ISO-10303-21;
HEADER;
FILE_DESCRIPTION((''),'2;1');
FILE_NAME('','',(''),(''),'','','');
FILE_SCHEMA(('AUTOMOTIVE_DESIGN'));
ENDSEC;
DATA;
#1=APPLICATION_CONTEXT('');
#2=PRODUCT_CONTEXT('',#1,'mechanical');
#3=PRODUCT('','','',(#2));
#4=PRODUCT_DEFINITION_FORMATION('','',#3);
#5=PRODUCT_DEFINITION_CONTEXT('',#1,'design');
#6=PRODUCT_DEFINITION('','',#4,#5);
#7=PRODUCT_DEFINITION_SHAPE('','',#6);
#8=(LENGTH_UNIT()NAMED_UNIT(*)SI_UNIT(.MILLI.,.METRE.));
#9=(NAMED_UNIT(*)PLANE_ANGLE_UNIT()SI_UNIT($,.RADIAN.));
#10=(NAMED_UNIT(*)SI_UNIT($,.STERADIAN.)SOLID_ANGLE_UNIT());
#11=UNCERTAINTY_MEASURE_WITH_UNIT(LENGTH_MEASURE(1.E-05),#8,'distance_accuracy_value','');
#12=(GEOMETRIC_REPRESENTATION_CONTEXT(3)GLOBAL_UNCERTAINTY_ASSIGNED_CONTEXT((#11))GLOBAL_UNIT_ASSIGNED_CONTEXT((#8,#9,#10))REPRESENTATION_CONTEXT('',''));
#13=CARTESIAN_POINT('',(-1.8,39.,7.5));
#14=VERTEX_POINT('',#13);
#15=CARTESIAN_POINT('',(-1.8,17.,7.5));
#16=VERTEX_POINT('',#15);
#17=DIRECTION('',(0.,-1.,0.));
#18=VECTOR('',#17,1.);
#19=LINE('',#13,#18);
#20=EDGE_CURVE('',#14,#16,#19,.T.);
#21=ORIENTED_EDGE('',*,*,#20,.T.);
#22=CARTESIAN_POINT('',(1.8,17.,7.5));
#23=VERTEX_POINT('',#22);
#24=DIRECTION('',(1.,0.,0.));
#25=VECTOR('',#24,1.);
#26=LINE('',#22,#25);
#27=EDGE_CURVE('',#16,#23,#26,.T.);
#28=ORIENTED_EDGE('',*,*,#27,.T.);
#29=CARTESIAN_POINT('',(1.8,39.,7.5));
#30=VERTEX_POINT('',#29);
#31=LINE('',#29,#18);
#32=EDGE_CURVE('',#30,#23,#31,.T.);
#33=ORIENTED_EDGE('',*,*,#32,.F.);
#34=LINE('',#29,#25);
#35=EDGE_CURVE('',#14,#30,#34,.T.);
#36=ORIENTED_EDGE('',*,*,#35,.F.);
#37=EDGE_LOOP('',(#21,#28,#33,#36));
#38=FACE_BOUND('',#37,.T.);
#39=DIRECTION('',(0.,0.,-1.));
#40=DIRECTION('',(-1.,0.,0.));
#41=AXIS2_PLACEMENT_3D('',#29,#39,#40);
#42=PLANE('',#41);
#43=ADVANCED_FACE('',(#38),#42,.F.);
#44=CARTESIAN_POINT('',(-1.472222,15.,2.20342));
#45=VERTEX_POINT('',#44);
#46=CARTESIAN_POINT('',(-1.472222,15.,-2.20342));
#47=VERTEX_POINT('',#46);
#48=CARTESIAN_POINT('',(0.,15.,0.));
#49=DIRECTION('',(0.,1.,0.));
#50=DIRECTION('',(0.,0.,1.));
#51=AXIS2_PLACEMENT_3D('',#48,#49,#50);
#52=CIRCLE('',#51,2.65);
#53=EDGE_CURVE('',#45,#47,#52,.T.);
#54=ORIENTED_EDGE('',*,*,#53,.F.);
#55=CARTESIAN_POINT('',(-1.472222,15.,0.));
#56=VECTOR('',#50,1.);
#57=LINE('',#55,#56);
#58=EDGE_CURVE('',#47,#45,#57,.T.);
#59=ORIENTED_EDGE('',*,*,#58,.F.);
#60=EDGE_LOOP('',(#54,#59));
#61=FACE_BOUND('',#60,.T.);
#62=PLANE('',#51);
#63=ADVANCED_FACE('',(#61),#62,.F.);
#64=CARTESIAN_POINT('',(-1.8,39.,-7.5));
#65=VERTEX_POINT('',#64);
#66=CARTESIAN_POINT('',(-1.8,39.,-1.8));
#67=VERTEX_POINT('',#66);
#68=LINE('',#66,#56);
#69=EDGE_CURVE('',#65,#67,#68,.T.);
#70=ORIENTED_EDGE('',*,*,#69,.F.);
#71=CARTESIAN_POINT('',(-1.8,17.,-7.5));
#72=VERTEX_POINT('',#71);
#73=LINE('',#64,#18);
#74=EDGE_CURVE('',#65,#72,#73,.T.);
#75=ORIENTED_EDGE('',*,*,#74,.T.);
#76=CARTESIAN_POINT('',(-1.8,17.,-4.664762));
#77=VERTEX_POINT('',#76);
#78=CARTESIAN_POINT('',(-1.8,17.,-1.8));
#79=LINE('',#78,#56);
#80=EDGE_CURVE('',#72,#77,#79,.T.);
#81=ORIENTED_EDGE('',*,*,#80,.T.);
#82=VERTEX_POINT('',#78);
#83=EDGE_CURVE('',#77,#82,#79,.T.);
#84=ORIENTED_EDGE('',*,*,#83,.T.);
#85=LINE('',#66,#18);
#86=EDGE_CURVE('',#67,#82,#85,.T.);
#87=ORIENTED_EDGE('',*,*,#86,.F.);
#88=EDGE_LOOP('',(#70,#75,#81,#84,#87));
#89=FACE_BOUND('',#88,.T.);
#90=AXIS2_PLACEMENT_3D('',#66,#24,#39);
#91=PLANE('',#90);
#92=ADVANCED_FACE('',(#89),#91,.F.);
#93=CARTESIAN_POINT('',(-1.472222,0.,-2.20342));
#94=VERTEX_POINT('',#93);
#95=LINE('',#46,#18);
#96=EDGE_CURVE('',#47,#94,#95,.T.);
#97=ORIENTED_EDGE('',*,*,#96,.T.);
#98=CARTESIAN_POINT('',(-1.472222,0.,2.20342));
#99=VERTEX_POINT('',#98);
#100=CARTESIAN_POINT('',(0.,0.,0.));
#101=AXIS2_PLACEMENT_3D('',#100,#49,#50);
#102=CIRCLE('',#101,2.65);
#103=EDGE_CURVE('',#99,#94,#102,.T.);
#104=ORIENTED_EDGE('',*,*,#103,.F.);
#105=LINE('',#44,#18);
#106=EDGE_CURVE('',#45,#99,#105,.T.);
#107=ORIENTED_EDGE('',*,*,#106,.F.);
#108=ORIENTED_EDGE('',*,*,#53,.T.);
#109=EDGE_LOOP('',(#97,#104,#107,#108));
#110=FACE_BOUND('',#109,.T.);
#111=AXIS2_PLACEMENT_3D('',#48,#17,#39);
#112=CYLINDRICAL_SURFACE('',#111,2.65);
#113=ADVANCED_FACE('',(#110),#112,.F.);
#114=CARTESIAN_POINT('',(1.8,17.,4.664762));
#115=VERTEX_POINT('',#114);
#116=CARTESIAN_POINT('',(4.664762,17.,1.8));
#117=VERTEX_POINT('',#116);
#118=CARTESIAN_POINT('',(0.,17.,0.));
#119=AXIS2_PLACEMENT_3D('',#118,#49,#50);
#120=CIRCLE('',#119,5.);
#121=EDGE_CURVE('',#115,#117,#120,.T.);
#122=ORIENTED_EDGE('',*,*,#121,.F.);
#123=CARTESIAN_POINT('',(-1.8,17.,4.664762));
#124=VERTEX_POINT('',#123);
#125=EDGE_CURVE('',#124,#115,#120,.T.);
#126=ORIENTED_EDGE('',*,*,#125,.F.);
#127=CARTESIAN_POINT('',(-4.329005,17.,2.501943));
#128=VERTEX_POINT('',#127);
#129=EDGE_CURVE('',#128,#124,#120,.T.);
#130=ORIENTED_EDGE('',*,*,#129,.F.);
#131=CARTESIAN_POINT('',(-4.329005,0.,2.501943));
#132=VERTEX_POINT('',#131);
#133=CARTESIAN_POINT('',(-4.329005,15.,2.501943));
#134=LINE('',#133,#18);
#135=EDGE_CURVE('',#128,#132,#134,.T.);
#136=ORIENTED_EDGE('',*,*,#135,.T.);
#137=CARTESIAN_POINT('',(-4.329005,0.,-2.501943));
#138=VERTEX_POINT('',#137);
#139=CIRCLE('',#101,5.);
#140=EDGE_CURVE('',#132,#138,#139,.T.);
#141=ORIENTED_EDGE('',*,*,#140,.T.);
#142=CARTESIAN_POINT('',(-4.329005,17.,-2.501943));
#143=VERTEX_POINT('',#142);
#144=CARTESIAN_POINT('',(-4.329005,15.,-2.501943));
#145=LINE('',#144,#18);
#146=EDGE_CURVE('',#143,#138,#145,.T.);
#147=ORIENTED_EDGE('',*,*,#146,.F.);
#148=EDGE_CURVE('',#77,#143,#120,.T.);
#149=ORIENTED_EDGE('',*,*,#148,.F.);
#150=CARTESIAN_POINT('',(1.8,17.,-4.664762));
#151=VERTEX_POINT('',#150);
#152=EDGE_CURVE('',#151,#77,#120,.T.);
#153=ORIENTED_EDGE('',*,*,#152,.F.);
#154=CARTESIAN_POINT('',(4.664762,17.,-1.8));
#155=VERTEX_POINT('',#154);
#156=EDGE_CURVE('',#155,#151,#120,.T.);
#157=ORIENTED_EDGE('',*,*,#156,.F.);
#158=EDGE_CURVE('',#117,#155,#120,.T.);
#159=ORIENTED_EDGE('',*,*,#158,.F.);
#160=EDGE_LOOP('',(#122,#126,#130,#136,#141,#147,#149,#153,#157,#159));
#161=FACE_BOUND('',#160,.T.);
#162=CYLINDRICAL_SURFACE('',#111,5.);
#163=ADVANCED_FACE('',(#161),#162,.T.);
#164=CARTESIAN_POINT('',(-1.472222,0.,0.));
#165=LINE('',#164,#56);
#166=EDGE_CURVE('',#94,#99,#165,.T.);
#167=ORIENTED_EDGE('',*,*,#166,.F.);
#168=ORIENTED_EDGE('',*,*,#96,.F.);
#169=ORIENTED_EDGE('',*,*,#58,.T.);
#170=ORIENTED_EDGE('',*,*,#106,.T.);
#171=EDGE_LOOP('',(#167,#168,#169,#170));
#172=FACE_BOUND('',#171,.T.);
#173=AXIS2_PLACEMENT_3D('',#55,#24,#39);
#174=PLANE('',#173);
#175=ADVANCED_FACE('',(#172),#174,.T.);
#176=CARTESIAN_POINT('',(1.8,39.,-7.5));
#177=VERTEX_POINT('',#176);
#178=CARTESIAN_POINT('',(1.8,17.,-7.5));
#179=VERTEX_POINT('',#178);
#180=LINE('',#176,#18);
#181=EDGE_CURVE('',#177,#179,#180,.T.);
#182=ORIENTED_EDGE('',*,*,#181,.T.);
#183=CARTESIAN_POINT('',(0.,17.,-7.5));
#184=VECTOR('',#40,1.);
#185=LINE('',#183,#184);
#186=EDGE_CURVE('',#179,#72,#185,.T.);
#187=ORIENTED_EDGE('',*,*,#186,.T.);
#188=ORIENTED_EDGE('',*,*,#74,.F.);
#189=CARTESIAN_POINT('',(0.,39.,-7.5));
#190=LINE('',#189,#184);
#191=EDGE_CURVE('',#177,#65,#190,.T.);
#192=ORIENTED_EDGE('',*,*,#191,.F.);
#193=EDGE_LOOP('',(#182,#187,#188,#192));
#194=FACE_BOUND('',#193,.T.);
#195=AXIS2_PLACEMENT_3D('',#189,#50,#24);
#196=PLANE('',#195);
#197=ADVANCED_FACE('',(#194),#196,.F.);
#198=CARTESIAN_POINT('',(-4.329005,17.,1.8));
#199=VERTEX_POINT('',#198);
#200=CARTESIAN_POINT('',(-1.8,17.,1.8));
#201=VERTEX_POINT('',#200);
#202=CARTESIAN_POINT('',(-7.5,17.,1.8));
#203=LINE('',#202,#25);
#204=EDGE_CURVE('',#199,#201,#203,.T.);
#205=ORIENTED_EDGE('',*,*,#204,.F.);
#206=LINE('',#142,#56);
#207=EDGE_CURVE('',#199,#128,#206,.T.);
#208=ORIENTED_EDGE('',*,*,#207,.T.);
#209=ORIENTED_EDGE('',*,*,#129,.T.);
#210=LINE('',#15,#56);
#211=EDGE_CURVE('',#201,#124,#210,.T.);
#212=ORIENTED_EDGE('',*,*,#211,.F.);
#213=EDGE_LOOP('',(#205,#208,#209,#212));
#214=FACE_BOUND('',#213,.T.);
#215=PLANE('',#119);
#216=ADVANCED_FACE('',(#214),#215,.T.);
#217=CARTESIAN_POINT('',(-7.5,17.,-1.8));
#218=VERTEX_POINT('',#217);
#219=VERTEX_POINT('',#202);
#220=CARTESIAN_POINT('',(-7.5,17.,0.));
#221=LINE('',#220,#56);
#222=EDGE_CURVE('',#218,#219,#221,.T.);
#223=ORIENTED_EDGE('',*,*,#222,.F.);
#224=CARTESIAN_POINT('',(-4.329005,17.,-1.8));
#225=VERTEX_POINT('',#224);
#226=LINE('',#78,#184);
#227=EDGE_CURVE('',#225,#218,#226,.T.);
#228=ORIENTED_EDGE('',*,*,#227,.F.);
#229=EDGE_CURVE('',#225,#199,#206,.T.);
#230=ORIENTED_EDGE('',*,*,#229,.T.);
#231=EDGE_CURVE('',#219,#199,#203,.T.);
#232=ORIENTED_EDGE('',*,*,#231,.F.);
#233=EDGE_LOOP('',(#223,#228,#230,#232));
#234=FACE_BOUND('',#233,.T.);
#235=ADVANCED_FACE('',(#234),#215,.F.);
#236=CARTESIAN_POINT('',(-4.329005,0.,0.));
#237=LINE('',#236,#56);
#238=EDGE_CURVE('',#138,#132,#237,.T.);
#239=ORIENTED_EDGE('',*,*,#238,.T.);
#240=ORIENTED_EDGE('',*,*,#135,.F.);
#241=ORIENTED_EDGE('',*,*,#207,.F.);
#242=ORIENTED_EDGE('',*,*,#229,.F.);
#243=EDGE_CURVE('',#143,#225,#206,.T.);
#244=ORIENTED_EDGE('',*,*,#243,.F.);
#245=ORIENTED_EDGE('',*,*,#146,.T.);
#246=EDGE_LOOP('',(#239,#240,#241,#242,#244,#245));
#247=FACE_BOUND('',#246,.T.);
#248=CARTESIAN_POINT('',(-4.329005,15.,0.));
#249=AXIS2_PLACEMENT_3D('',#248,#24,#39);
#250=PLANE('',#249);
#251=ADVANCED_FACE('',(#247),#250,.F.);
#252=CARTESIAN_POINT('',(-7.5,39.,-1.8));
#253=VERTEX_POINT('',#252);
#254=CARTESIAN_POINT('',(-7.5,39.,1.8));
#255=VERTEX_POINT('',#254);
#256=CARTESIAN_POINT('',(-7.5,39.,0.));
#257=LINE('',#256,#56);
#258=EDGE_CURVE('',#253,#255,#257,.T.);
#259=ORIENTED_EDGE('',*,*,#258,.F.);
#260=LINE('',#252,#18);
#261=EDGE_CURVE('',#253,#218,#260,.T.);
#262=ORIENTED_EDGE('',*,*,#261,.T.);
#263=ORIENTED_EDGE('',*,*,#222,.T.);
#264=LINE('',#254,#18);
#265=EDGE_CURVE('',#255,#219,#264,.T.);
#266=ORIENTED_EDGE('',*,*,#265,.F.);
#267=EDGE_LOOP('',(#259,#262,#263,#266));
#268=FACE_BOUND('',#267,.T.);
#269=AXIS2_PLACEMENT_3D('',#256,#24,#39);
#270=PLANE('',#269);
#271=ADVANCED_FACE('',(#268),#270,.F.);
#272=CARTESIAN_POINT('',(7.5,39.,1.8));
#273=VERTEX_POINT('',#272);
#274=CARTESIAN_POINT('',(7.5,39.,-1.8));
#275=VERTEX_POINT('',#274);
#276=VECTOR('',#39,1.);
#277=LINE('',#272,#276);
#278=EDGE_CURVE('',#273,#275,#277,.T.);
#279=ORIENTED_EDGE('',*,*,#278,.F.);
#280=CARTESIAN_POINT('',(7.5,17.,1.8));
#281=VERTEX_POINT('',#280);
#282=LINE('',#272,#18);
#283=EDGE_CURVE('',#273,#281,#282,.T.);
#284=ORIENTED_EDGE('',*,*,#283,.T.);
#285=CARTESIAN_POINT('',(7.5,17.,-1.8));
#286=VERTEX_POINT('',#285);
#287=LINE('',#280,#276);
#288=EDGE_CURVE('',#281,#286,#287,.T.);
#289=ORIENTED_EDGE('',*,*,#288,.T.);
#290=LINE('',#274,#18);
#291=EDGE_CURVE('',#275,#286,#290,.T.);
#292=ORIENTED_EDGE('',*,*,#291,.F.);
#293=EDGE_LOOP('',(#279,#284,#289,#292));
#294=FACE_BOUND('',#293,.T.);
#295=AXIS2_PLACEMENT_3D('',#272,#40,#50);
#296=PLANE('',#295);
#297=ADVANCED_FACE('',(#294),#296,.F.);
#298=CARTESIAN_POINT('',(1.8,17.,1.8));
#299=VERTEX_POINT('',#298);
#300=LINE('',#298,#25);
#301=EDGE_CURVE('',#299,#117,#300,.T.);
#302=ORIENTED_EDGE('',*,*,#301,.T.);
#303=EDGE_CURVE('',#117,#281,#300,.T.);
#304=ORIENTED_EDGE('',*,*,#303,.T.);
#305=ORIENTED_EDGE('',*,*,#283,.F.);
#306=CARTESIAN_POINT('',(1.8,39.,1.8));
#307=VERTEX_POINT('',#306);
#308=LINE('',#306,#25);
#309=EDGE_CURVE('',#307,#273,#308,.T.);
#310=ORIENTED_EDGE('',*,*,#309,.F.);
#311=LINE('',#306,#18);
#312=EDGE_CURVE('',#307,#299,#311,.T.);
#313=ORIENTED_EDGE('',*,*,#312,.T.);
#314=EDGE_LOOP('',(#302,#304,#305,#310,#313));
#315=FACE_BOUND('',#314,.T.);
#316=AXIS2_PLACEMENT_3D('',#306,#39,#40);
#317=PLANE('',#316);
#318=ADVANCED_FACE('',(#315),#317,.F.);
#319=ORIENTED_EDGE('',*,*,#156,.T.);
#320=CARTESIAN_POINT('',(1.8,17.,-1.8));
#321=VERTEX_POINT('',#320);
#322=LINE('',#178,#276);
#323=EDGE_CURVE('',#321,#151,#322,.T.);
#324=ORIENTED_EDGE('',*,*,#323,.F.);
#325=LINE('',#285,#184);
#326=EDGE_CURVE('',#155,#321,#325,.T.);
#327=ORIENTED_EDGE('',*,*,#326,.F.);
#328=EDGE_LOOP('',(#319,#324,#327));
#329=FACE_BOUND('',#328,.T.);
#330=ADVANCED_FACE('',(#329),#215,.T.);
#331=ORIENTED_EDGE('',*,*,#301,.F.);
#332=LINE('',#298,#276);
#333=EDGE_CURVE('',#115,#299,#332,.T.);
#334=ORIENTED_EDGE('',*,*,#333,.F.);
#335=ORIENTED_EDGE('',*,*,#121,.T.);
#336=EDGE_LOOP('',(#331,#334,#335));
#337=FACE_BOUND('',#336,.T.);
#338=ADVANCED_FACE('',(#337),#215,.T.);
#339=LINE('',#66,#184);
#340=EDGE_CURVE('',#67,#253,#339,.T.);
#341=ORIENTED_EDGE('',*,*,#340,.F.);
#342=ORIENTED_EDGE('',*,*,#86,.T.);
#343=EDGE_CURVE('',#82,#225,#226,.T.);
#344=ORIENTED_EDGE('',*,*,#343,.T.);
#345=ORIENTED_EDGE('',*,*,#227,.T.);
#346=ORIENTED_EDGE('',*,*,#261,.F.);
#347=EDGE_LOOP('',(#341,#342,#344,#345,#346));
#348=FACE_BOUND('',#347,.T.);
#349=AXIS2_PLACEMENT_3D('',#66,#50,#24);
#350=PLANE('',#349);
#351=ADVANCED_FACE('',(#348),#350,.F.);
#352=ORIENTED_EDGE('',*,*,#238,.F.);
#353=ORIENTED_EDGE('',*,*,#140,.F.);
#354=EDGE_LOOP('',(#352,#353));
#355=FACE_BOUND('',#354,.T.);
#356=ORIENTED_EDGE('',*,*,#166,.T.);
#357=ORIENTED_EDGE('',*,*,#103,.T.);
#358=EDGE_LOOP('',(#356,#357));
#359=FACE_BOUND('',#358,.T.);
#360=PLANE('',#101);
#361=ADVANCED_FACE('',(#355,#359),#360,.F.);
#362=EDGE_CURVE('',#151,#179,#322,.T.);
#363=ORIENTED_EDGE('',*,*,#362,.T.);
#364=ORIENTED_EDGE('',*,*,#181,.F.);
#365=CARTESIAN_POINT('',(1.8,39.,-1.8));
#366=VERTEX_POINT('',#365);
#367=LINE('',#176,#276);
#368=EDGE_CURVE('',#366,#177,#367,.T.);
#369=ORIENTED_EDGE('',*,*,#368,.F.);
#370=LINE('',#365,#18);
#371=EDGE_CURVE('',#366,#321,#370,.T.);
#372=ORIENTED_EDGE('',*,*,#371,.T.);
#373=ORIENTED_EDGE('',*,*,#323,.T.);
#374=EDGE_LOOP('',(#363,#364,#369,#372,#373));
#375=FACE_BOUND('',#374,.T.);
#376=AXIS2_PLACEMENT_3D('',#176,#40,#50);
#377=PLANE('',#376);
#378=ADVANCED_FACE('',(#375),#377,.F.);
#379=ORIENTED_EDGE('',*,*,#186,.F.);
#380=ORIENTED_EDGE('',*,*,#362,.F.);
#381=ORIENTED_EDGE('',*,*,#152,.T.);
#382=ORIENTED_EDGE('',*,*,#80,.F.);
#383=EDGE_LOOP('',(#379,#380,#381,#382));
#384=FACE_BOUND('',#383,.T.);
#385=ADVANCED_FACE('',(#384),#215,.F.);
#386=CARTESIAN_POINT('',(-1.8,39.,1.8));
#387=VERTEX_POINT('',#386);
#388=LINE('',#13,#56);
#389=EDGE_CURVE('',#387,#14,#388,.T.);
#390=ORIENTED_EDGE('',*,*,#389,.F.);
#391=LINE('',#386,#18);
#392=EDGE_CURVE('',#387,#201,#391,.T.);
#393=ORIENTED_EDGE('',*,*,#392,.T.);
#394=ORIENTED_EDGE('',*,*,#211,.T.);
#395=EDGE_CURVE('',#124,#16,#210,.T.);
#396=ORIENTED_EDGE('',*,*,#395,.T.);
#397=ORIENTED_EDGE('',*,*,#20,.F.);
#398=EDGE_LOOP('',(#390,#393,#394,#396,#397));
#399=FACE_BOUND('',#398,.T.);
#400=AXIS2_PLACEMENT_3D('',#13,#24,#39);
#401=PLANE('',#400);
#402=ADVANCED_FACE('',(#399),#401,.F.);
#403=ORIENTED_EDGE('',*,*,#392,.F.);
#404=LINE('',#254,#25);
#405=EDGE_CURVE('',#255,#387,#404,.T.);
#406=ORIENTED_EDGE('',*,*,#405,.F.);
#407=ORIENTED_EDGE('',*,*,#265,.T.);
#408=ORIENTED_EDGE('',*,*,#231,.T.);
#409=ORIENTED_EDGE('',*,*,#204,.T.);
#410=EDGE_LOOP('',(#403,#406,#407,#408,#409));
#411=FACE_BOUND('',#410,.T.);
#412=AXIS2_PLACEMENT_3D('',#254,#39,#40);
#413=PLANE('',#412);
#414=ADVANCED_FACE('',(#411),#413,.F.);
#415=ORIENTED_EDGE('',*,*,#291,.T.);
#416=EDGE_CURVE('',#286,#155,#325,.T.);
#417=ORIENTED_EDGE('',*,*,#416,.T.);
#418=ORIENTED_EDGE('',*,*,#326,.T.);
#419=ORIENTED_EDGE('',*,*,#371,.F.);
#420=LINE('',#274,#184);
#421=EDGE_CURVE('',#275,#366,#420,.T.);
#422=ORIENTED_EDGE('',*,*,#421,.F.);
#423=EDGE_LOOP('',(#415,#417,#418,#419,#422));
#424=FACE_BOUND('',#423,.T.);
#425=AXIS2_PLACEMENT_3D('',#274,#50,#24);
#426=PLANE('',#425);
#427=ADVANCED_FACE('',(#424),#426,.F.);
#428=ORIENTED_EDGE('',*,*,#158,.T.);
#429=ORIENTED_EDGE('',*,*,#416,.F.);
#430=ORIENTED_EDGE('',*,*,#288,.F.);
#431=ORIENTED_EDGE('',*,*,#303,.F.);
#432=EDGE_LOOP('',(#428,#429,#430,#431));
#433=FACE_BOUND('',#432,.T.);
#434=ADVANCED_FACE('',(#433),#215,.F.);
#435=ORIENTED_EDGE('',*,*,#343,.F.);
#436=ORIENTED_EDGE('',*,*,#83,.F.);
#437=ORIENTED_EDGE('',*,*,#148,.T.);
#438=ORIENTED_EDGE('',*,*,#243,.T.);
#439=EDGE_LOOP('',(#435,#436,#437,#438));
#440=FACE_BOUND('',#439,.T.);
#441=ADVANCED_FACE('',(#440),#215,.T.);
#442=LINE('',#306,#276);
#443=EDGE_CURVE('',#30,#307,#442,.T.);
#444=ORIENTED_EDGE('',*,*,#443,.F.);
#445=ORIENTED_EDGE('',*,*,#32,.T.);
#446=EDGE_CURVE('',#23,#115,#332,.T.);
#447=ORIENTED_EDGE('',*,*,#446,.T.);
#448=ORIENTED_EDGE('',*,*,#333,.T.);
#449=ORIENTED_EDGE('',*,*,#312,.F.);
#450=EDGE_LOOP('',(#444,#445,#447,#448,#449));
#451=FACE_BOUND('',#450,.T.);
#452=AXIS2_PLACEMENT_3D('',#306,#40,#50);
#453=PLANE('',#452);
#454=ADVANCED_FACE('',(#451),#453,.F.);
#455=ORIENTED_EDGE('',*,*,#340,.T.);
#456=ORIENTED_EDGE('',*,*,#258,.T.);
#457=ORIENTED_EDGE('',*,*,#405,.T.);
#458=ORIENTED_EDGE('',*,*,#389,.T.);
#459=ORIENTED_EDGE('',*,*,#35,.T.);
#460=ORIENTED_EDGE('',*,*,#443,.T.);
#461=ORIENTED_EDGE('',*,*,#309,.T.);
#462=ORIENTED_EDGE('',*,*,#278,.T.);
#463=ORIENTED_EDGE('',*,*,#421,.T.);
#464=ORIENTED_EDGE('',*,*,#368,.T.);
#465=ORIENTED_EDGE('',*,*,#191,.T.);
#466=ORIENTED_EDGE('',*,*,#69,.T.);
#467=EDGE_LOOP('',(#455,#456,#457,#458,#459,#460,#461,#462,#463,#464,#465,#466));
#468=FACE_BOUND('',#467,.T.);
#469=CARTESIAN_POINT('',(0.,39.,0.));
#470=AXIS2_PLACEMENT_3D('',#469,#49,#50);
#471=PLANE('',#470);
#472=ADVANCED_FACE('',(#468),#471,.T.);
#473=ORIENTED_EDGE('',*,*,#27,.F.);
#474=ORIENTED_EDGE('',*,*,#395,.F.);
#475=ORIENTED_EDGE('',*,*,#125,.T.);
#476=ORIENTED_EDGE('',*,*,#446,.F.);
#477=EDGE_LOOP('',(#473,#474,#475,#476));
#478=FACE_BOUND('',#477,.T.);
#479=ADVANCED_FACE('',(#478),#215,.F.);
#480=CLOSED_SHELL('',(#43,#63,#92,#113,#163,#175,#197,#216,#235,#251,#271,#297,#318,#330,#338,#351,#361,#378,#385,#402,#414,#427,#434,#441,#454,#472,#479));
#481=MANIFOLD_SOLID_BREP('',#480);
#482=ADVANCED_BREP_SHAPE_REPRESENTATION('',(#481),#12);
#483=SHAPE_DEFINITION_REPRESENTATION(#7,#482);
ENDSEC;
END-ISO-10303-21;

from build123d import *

# Parameters (mm, degrees)
EXTRUDE_2_DEPTH = 15
EXTRUDE_3_DEPTH = 2
EXTRUDE_4_DEPTH = 22


with BuildPart() as part:
    # 草图1 → 凸台-拉伸2 (new body)
    with BuildSketch(Plane(origin=(0, 0, 0), x_dir=(1, 0, 0), z_dir=(0, 1, 0))):
        with BuildLine():
            Line((-4.329004892, 2.501942574), (-4.329004892, -2.501942574))
            ThreePointArc((-4.329004892, -2.501942574), (5, 0), (-4.329004892, 2.501942574))
        make_face()
        with BuildLine():
            Line((-1.472222222, 2.203420461), (-1.472222222, -2.203420461))
            ThreePointArc((-1.472222222, -2.203420461), (2.65, 0), (-1.472222222, 2.203420461))
        make_face(mode=Mode.SUBTRACT)
    extrude(amount=EXTRUDE_2_DEPTH)

    # 草图2 → 凸台-拉伸3 (add)
    with BuildSketch(Plane(origin=(0, 15, 0), x_dir=(1, 0, 0), z_dir=(0, 1, 0))):
        with BuildLine():
            Line((-4.329004892, 2.501942574), (-4.329004892, -2.501942574))
            ThreePointArc((-4.329004892, -2.501942574), (5, 0), (-4.329004892, 2.501942574))
        make_face()
    extrude(amount=EXTRUDE_3_DEPTH)

    # 草图3 → 凸台-拉伸4 (add)
    with BuildSketch(Plane(origin=(0, 17, 0), x_dir=(1, 0, 0), z_dir=(0, 1, 0))):
        Polygon((-7.5, 0), (-7.5, 1.8), (-1.8, 1.8), (-1.8, 7.5), (0, 7.5), (1.8, 7.5), (1.8, 1.8), (7.5, 1.8), (7.5, -1.8), (1.8, -1.8), (1.8, -7.5), (-1.8, -7.5), (-1.8, -1.8), (-7.5, -1.8), align=None)
    extrude(amount=EXTRUDE_4_DEPTH)


solid = part.part
